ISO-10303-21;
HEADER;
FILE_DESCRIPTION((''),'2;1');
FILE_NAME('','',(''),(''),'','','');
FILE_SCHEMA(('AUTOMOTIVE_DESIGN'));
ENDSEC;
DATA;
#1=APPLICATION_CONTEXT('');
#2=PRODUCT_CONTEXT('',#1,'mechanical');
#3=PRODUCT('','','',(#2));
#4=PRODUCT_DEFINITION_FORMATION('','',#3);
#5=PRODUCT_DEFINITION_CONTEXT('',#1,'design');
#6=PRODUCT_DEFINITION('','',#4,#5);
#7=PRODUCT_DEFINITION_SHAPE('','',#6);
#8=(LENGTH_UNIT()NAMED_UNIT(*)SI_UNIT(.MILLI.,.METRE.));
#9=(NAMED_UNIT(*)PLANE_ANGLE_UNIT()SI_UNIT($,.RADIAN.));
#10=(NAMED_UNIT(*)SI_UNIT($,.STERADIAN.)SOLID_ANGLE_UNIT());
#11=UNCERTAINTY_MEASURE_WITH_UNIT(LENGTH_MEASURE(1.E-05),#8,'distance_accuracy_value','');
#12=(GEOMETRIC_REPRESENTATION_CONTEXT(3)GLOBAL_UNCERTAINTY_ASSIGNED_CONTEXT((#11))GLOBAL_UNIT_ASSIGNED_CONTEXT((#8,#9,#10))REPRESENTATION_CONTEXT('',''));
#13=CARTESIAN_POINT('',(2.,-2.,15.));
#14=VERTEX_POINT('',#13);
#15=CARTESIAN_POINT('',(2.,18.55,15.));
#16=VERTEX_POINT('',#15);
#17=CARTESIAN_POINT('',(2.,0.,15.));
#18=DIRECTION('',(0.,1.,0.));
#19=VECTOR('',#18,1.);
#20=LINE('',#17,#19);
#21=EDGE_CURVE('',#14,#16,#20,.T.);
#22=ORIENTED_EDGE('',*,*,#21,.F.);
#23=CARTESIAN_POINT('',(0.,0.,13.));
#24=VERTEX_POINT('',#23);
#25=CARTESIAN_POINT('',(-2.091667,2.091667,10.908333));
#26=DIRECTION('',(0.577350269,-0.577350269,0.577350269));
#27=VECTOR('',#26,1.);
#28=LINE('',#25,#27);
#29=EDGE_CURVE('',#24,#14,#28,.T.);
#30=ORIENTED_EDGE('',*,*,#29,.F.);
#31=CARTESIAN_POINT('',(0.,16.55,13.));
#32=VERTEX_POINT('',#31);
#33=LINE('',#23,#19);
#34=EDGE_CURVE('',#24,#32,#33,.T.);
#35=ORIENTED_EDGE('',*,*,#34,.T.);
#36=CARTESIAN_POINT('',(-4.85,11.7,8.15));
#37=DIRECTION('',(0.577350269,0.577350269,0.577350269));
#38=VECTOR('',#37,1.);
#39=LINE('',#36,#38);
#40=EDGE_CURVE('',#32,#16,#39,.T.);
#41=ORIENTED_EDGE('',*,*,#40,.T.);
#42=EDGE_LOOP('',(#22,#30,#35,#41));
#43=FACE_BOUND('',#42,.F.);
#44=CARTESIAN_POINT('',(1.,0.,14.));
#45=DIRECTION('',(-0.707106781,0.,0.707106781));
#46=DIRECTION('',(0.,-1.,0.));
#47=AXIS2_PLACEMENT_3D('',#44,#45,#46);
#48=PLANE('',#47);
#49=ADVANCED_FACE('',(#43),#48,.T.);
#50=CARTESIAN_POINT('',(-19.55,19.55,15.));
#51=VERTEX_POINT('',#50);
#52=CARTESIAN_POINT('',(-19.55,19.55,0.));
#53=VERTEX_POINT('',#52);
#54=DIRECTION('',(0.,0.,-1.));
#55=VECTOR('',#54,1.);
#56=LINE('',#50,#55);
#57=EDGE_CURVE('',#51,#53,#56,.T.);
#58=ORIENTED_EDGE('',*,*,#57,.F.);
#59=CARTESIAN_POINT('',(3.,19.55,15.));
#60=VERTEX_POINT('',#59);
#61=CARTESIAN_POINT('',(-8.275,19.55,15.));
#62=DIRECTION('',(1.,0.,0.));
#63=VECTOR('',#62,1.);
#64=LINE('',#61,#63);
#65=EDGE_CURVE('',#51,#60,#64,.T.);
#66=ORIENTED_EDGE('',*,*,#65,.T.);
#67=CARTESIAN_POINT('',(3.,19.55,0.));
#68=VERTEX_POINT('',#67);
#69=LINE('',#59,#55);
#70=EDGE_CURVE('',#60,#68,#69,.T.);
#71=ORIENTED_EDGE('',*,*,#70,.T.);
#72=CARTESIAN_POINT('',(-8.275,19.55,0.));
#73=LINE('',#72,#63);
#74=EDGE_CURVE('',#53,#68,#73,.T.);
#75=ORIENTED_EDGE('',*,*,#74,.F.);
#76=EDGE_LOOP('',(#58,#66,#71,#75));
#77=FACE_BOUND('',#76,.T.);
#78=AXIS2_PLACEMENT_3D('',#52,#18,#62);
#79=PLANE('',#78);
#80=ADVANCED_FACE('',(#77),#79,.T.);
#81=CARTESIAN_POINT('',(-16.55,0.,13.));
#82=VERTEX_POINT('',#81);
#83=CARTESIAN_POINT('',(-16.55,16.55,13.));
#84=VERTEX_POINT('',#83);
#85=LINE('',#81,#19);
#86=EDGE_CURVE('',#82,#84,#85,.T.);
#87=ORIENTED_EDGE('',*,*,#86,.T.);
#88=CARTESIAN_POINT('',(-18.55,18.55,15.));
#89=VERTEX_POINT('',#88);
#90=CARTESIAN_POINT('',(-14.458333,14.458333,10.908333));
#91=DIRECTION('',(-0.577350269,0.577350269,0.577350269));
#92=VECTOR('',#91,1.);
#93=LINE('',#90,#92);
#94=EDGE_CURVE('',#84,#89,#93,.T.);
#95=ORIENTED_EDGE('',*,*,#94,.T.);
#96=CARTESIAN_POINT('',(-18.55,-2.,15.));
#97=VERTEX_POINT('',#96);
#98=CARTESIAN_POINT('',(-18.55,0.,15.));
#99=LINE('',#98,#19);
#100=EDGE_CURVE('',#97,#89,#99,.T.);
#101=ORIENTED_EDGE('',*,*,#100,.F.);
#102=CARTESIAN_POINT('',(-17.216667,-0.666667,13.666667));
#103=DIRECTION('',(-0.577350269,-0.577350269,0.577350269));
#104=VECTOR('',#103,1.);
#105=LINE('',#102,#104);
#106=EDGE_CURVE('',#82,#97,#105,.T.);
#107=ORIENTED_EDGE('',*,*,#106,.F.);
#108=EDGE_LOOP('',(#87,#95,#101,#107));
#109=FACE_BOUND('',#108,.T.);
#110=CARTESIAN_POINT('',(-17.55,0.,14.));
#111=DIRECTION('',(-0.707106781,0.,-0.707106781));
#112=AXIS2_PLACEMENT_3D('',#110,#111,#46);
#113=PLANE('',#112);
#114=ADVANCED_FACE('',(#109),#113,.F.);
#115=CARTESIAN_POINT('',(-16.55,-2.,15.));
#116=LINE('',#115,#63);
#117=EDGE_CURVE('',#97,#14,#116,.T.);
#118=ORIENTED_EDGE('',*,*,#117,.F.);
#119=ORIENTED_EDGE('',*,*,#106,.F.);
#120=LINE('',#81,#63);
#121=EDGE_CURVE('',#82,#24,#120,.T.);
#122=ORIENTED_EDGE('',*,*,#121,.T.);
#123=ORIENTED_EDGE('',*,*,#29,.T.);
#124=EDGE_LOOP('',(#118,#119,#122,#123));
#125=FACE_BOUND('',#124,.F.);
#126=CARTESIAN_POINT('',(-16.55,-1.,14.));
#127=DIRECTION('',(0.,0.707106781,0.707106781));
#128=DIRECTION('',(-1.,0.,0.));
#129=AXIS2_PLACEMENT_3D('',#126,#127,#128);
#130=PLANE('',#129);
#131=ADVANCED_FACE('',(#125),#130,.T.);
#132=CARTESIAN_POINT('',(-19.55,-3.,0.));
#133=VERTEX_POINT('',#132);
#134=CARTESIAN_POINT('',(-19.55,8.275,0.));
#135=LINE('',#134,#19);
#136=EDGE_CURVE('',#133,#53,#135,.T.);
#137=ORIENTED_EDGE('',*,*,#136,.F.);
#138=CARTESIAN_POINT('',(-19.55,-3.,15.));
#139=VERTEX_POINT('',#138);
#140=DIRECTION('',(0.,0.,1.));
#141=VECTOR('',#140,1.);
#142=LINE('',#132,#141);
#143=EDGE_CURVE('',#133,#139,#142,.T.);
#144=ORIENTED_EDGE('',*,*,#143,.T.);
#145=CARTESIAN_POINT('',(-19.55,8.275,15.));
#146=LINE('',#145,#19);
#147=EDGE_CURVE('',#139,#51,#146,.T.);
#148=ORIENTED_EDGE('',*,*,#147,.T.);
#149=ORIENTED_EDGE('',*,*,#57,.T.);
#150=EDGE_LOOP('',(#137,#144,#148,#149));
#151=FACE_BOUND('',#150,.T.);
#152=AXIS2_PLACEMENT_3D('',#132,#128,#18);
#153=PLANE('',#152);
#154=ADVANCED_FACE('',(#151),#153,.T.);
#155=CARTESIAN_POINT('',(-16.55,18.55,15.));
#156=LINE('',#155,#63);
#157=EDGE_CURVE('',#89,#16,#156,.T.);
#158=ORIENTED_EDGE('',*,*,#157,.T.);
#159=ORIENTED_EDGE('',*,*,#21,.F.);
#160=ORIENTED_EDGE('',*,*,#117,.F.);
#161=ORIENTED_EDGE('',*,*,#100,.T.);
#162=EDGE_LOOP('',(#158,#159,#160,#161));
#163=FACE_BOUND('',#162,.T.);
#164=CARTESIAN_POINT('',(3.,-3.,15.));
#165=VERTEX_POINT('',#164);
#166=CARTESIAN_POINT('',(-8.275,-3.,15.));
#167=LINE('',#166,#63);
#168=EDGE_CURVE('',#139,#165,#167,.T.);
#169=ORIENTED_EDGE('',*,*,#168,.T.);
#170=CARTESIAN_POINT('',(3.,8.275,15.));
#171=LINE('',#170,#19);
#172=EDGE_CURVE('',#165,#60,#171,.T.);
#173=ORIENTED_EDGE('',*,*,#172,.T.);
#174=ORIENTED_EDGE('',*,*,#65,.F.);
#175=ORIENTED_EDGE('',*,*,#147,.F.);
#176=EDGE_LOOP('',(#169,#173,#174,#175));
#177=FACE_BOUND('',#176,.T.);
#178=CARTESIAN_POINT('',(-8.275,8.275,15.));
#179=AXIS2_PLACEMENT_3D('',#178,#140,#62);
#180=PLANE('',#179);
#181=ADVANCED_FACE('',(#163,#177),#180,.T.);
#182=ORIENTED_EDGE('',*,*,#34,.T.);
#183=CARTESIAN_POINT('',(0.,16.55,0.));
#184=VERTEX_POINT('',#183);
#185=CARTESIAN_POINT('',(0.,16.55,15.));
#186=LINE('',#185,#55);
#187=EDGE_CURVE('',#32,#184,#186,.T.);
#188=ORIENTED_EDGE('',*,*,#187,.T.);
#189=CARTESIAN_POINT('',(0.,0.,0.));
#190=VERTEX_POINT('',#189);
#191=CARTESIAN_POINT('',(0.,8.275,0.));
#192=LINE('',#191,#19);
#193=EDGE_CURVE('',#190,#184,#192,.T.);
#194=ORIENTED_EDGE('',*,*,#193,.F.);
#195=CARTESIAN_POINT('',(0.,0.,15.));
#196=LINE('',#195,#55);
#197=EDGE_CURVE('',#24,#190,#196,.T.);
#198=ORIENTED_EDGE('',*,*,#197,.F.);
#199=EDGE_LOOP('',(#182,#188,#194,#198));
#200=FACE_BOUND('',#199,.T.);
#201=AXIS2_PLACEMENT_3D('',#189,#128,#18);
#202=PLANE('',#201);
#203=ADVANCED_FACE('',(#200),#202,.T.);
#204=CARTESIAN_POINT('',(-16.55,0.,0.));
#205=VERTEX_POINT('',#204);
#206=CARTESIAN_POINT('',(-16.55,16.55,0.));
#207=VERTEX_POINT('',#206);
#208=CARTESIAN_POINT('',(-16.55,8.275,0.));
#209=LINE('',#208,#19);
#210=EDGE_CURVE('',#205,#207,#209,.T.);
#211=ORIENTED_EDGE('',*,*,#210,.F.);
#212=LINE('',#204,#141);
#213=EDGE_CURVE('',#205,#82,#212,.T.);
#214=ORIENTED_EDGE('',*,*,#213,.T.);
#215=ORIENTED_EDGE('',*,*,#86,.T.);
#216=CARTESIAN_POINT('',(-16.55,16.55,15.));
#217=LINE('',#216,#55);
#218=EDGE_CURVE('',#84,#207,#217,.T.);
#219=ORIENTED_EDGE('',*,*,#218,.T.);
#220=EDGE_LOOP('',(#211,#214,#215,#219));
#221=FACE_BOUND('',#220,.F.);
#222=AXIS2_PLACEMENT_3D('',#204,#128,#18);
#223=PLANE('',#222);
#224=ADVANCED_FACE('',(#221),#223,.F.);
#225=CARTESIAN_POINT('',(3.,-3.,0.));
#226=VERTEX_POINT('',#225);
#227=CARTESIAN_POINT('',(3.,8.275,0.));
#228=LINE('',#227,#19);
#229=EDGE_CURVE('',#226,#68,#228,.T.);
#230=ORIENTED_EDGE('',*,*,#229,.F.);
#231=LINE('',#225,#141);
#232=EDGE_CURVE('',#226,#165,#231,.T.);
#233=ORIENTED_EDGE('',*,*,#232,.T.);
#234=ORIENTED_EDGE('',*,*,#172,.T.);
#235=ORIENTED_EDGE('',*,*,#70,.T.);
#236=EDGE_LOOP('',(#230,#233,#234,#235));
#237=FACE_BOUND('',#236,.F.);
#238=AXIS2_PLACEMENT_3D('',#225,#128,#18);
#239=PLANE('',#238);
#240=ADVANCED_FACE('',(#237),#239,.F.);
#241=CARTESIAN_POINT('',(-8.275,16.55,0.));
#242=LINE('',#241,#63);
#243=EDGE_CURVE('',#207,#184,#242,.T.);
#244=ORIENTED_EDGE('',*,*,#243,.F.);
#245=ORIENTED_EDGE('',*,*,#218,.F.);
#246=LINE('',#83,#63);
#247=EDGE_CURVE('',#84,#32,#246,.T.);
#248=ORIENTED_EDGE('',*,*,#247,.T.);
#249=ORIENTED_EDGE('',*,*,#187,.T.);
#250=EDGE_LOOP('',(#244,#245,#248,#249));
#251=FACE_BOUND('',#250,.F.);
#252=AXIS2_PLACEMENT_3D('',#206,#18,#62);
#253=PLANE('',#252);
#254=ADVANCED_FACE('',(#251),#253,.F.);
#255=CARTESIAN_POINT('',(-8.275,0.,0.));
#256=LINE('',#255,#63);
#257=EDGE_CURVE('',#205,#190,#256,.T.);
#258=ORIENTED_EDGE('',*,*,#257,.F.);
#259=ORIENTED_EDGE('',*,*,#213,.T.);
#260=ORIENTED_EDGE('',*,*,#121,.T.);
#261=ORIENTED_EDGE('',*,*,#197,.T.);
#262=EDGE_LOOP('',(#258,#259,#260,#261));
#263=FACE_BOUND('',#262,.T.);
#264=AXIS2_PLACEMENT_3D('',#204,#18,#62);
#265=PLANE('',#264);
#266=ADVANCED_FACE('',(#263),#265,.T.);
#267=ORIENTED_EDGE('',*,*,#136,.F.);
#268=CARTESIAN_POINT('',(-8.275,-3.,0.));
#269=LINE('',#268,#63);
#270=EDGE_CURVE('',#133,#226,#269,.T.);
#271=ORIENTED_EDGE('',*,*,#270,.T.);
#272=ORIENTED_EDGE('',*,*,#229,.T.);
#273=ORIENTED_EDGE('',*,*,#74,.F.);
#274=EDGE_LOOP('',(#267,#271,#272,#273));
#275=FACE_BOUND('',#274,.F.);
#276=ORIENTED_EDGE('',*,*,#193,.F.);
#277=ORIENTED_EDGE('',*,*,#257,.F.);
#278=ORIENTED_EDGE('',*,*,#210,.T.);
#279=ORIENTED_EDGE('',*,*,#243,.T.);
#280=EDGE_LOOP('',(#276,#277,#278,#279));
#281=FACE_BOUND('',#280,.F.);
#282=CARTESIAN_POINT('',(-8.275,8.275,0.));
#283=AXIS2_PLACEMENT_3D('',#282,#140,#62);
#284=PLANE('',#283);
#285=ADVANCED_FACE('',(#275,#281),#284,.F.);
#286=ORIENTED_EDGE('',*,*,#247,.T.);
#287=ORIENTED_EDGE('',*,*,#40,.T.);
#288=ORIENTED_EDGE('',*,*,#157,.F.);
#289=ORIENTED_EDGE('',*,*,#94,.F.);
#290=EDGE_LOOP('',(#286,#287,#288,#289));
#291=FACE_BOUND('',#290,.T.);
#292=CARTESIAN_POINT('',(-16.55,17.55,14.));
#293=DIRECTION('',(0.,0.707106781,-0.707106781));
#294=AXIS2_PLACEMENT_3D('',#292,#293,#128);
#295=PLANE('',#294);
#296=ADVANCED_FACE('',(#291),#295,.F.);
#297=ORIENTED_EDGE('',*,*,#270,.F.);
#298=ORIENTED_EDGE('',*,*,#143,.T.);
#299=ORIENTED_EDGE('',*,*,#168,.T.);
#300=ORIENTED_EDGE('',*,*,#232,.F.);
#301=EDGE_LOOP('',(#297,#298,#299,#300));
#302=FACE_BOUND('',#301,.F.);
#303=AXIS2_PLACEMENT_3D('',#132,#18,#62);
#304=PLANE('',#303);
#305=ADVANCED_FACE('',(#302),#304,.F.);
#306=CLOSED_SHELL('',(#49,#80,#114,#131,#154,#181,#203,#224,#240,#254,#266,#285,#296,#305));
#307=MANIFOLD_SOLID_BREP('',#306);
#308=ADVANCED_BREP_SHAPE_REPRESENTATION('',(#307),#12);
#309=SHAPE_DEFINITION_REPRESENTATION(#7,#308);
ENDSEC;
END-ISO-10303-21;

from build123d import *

# Parameters (mm, degrees)
F0_W     = 22.55
F0_H     = 22.55
F0_W_2   = 16.55
F0_H_2   = 16.55
F1_DEPTH = 5
F2_DEPTH = 15
F3_SIZE  = 2


with BuildPart() as f1:
    # F0 (on Top) → F1 (new body)
    with BuildSketch(Plane.XY):
        with Locations((-8.275, 8.275)):
            Rectangle(F0_W, F0_H)
        with Locations((-8.275, 8.275)):
            Rectangle(F0_W_2, F0_H_2, mode=Mode.SUBTRACT)
    extrude(amount=F1_DEPTH)

    # F0 (on Top) → F2 (join)
    with BuildSketch(Plane.XY):
        with Locations((-8.275, 8.275)):
            Rectangle(F0_W, F0_H)
        with Locations((-8.275, 8.275)):
            Rectangle(F0_W_2, F0_H_2, mode=Mode.SUBTRACT)
    extrude(amount=F2_DEPTH)

    # F3
    f3_edges = [f1.edges().sort_by_distance(p)[0] for p in [
        (-8.275, 16.55, 15),
        (-16.55, 8.275, 15),
        (0, 8.275, 15),
        (-8.275, 0, 15),
    ]]
    chamfer(f3_edges, length=F3_SIZE)


solid = f1.part
